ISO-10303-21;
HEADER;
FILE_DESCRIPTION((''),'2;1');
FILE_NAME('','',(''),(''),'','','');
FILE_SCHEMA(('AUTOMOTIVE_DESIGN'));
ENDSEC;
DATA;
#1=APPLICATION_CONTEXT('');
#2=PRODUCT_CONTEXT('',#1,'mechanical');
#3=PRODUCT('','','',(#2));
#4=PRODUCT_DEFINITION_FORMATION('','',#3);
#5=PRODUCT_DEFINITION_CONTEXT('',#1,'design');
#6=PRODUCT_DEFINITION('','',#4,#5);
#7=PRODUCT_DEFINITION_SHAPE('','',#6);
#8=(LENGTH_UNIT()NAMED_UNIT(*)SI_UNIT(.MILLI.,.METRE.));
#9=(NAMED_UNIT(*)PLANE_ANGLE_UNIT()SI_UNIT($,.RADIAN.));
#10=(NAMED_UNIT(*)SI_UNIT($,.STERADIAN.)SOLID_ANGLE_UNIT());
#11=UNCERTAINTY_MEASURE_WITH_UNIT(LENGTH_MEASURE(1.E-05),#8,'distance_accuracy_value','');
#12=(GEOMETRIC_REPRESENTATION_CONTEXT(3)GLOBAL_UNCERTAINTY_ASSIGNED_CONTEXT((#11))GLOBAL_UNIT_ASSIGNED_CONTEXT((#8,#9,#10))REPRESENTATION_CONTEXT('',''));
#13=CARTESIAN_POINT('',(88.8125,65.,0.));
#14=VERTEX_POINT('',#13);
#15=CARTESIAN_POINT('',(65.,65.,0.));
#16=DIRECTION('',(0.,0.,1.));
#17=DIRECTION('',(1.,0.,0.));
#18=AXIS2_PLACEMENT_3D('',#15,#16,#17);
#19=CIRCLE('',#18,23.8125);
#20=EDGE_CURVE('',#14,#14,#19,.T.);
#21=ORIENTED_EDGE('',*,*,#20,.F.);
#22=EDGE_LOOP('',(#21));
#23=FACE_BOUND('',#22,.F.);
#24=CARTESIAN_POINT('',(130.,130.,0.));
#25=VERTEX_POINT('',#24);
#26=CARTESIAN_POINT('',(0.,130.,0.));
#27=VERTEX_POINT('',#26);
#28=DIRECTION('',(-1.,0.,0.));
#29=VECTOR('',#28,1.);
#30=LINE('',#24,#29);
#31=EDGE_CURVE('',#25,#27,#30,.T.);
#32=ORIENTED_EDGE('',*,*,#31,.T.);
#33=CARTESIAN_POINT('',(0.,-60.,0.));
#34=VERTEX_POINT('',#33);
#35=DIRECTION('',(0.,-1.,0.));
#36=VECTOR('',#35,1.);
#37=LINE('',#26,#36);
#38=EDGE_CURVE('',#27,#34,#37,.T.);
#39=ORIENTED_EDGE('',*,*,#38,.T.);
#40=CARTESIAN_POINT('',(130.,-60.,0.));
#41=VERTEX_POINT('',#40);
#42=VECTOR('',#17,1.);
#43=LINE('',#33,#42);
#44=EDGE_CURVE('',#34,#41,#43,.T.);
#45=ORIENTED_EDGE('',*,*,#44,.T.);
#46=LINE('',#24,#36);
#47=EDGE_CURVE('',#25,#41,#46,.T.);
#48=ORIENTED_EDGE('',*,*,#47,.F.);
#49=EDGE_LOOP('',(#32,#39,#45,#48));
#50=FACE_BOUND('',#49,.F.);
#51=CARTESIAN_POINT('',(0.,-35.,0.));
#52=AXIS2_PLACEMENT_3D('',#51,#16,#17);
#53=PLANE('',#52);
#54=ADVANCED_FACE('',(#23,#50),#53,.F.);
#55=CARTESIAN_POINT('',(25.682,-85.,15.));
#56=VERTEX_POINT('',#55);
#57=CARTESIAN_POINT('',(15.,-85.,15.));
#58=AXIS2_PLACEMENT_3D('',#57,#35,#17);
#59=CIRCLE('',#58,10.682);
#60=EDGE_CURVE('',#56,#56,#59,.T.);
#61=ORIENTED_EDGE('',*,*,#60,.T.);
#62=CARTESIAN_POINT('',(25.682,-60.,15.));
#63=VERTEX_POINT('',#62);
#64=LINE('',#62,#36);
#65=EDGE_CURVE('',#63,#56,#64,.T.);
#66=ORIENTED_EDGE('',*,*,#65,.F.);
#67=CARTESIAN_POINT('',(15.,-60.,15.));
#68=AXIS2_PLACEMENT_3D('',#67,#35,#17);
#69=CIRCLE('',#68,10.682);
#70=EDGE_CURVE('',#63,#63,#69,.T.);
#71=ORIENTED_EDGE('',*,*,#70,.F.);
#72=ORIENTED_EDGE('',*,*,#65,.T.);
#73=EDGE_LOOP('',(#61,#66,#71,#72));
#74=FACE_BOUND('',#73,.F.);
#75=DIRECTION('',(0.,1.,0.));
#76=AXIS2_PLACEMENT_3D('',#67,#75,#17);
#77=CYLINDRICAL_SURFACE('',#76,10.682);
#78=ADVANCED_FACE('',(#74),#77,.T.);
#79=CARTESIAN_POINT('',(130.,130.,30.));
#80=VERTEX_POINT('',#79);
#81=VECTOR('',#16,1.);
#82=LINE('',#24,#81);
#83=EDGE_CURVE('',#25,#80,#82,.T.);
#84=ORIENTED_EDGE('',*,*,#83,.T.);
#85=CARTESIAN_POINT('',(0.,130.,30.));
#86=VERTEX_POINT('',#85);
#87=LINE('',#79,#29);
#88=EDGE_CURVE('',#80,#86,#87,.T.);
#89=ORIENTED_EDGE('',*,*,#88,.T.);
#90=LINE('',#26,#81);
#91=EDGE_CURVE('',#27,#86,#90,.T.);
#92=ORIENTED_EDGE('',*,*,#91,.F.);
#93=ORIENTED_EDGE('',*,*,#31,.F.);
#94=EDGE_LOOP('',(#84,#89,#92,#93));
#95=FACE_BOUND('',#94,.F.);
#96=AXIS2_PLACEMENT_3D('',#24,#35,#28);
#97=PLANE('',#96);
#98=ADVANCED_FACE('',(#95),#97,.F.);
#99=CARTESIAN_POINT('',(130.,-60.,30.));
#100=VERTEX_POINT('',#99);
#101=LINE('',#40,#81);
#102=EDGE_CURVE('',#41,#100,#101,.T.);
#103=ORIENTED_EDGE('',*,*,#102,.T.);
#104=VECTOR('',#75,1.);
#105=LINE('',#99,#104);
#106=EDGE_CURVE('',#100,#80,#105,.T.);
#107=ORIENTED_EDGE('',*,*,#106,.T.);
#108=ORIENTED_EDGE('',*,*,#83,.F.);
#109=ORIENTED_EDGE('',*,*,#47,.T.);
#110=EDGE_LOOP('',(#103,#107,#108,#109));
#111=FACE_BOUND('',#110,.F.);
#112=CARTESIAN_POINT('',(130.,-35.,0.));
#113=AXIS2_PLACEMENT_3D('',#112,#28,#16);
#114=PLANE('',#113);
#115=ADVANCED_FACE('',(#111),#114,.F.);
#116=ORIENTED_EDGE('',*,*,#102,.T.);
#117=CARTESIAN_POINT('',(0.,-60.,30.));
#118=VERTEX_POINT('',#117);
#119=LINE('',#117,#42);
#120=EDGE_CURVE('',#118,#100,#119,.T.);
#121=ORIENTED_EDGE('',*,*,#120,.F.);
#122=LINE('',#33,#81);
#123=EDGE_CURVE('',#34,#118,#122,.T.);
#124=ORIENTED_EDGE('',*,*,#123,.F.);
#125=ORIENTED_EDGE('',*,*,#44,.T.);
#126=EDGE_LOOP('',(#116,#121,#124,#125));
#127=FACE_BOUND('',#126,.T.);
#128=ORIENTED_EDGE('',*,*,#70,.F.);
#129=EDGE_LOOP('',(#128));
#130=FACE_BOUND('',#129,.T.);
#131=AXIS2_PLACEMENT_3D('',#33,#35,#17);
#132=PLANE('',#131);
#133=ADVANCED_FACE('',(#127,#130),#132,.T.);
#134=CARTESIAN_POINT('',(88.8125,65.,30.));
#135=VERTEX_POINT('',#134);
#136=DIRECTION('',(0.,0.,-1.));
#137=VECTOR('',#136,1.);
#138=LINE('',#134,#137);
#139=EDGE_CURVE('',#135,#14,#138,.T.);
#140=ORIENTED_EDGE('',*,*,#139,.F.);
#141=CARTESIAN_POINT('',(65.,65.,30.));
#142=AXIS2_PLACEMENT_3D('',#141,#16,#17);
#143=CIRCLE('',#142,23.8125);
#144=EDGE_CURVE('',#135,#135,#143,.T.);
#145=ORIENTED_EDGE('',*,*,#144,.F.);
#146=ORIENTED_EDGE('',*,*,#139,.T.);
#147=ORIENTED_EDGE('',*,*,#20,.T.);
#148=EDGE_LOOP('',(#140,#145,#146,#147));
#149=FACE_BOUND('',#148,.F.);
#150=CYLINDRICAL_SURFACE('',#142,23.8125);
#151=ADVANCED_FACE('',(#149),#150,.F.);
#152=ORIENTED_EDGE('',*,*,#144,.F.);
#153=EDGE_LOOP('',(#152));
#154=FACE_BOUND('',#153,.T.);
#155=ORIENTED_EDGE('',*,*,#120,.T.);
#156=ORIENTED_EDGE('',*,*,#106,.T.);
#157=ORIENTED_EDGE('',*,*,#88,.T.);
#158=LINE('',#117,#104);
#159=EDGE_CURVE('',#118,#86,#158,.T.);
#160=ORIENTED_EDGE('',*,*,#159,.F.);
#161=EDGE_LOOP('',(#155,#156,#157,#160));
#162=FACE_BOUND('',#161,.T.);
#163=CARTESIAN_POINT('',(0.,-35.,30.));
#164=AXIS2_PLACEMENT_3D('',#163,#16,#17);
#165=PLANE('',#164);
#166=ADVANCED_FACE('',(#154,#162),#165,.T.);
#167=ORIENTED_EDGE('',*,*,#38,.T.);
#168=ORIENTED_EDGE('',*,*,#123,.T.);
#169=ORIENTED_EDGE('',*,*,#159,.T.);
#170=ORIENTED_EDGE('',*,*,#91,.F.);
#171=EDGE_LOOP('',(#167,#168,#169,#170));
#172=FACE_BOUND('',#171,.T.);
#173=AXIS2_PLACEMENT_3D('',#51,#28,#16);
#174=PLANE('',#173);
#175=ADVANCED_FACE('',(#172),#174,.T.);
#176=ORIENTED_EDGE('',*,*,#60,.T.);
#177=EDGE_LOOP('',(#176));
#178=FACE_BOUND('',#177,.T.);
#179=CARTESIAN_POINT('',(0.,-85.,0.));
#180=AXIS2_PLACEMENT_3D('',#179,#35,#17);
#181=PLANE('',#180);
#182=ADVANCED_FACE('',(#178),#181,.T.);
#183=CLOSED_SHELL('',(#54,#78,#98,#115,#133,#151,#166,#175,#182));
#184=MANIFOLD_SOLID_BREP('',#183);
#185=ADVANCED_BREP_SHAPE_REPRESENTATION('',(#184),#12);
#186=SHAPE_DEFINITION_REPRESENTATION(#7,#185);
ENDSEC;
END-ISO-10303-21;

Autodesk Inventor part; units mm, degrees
ref_plane "YZ Plane" through (0, 0, 0) normal (1, 0, 0) x (0, 1, 0)
ref_plane "XZ Plane" through (0, 0, 0) normal (0, 1, 0) x (-1, 0, 0)
ref_plane "XY Plane" through (0, 0, 0) normal (0, 0, 1) x (1, 0, 0)
sketch "Sketch9" plane through (0, 0, 0) normal (0, 0, 1) x (1, 0, 0)
  line L0 (0, 0) -> (130, 0)
  line L1 (130, 0) -> (130, 130)
  line L2 (130, 130) -> (0, 130)
  line L3 (0, 130) -> (0, 0)
  dimension "d32" = 130
  dimension "d33" = 130
extrude "Extrusion9" add sketch "Sketch9" along normal blind 30
sketch "Sketch10" plane through (0, 0, 30) normal (0, 0, 1) x (1, 0, 0)
  line L0 (0, 130) -> (0, 0) projected
  line L1 (130, 0) -> (130, 130) projected
  line L2 (0, 130) -> (130, 0) construction
  circle A0 centre (65, 65) radius 23.8125
  dimension "d36" = 47.625
extrude "Extrusion10" cut sketch "Sketch10" against normal blind 40
sketch "Sketch11" plane through (0, 0, 0) normal (-1, 0, 0) x (0, 0, 1)
  point P0 (0, 0)
sketch "Sketch12" plane through (0, 0, 0) normal (0, -1, 0) x (1, 0, 0)
  line L0 (130, 0) -> (130, 30) projected
  line L1 (0, 0) -> (130, 0)
  line L2 (130, 0) -> (130, 30)
  line L3 (130, 30) -> (0, 30)
  line L4 (0, 30) -> (0, 0)
extrude "Extrusion11" add sketch "Sketch12" along normal blind 40
sketch "Sketch13" plane through (0, -40, 0) normal (0, -1, 0) x (1, 0, 0)
  line L0 (130, 30) -> (0, 30) projected
  line L1 (0, 0) -> (130, 0)
  line L2 (130, 0) -> (130, 30)
  line L3 (130, 30) -> (0, 30)
  line L4 (0, 30) -> (0, 0)
  point P0 (0, 30)
extrude "Extrusion12" cut sketch "Sketch13" against normal blind 20
sketch "Sketch15" plane through (0, -20, 0) normal (0, -1, 0) x (1, 0, 0)
  line L0 (130, 30) -> (0, 30) projected
  line L1 (130, 30) -> (0, 30)
  line L2 (0, 30) -> (0, 0)
  line L3 (0, 0) -> (130, 0)
  line L4 (130, 0) -> (130, 30)
  point P0 (0, 30)
extrude "Extrusion14" add sketch "Sketch15" along normal blind 40
sketch "Sketch16" plane through (0, -60, 0) normal (0, -1, 0) x (1, 0, 0)
  line L0 (130, 30) -> (0, 30) projected
  line L1 (130, 30) -> (0, 30)
  line L2 (0, 30) -> (0, 0)
  line L3 (0, 0) -> (130, 0)
  line L4 (130, 0) -> (130, 30)
extrude "Extrusion15" cut sketch "Sketch16" against normal blind 15
sketch "Sketch17" plane through (0, -45, 0) normal (0, -1, 0) x (1, 0, 0)
  line L0 (130, 30) -> (0, 30) projected
  line L1 (130, 30) -> (0, 30)
  line L2 (0, 30) -> (0, 0)
  line L3 (0, 0) -> (130, 0)
  line L4 (130, 0) -> (130, 30)
extrude "Extrusion16" cut sketch "Sketch17" against normal blind 10
sketch "Sketch19" plane through (0, -35, 0) normal (0, -1, 0) x (1, 0, 0)
  circle A0 centre (25, 15) radius 10.682
  line L0 (0, 30) -> (130, 30) projected
  line L1 (0, 0) -> (0, 30) projected
  dimension "d64" = 21.364
  dimension "d65" = 15
  dimension "d66" = 25
extrude "Extrusion18" add sketch "Sketch19" along normal blind 15
sketch "Sketch20" plane through (0, -35, 0) normal (0, -1, 0) x (1, 0, 0)
  line L0 (0, 0) -> (0, 30) projected
  line L1 (0, 30) -> (130, 30) projected
  line L2 (0, 0) -> (130, 0)
  line L3 (130, 0) -> (130, 30)
  line L4 (130, 30) -> (0, 30)
  line L5 (0, 30) -> (0, 0)
extrude "Extrusion19" add sketch "Sketch20" along normal blind 25
sketch "Sketch21" plane through (0, -60, 0) normal (0, -1, 0) x (1, 0, 0)
  circle A0 centre (15, 15) radius 10.682
  line L0 (130, 30) -> (0, 30) projected
  line L1 (0, 30) -> (0, 0) projected
  dimension "d71" = 21.364
  dimension "d72" = 15
  dimension "d73" = 15
extrude "Extrusion20" add sketch "Sketch21" along normal blind 25
properties part number "Spring connection"
